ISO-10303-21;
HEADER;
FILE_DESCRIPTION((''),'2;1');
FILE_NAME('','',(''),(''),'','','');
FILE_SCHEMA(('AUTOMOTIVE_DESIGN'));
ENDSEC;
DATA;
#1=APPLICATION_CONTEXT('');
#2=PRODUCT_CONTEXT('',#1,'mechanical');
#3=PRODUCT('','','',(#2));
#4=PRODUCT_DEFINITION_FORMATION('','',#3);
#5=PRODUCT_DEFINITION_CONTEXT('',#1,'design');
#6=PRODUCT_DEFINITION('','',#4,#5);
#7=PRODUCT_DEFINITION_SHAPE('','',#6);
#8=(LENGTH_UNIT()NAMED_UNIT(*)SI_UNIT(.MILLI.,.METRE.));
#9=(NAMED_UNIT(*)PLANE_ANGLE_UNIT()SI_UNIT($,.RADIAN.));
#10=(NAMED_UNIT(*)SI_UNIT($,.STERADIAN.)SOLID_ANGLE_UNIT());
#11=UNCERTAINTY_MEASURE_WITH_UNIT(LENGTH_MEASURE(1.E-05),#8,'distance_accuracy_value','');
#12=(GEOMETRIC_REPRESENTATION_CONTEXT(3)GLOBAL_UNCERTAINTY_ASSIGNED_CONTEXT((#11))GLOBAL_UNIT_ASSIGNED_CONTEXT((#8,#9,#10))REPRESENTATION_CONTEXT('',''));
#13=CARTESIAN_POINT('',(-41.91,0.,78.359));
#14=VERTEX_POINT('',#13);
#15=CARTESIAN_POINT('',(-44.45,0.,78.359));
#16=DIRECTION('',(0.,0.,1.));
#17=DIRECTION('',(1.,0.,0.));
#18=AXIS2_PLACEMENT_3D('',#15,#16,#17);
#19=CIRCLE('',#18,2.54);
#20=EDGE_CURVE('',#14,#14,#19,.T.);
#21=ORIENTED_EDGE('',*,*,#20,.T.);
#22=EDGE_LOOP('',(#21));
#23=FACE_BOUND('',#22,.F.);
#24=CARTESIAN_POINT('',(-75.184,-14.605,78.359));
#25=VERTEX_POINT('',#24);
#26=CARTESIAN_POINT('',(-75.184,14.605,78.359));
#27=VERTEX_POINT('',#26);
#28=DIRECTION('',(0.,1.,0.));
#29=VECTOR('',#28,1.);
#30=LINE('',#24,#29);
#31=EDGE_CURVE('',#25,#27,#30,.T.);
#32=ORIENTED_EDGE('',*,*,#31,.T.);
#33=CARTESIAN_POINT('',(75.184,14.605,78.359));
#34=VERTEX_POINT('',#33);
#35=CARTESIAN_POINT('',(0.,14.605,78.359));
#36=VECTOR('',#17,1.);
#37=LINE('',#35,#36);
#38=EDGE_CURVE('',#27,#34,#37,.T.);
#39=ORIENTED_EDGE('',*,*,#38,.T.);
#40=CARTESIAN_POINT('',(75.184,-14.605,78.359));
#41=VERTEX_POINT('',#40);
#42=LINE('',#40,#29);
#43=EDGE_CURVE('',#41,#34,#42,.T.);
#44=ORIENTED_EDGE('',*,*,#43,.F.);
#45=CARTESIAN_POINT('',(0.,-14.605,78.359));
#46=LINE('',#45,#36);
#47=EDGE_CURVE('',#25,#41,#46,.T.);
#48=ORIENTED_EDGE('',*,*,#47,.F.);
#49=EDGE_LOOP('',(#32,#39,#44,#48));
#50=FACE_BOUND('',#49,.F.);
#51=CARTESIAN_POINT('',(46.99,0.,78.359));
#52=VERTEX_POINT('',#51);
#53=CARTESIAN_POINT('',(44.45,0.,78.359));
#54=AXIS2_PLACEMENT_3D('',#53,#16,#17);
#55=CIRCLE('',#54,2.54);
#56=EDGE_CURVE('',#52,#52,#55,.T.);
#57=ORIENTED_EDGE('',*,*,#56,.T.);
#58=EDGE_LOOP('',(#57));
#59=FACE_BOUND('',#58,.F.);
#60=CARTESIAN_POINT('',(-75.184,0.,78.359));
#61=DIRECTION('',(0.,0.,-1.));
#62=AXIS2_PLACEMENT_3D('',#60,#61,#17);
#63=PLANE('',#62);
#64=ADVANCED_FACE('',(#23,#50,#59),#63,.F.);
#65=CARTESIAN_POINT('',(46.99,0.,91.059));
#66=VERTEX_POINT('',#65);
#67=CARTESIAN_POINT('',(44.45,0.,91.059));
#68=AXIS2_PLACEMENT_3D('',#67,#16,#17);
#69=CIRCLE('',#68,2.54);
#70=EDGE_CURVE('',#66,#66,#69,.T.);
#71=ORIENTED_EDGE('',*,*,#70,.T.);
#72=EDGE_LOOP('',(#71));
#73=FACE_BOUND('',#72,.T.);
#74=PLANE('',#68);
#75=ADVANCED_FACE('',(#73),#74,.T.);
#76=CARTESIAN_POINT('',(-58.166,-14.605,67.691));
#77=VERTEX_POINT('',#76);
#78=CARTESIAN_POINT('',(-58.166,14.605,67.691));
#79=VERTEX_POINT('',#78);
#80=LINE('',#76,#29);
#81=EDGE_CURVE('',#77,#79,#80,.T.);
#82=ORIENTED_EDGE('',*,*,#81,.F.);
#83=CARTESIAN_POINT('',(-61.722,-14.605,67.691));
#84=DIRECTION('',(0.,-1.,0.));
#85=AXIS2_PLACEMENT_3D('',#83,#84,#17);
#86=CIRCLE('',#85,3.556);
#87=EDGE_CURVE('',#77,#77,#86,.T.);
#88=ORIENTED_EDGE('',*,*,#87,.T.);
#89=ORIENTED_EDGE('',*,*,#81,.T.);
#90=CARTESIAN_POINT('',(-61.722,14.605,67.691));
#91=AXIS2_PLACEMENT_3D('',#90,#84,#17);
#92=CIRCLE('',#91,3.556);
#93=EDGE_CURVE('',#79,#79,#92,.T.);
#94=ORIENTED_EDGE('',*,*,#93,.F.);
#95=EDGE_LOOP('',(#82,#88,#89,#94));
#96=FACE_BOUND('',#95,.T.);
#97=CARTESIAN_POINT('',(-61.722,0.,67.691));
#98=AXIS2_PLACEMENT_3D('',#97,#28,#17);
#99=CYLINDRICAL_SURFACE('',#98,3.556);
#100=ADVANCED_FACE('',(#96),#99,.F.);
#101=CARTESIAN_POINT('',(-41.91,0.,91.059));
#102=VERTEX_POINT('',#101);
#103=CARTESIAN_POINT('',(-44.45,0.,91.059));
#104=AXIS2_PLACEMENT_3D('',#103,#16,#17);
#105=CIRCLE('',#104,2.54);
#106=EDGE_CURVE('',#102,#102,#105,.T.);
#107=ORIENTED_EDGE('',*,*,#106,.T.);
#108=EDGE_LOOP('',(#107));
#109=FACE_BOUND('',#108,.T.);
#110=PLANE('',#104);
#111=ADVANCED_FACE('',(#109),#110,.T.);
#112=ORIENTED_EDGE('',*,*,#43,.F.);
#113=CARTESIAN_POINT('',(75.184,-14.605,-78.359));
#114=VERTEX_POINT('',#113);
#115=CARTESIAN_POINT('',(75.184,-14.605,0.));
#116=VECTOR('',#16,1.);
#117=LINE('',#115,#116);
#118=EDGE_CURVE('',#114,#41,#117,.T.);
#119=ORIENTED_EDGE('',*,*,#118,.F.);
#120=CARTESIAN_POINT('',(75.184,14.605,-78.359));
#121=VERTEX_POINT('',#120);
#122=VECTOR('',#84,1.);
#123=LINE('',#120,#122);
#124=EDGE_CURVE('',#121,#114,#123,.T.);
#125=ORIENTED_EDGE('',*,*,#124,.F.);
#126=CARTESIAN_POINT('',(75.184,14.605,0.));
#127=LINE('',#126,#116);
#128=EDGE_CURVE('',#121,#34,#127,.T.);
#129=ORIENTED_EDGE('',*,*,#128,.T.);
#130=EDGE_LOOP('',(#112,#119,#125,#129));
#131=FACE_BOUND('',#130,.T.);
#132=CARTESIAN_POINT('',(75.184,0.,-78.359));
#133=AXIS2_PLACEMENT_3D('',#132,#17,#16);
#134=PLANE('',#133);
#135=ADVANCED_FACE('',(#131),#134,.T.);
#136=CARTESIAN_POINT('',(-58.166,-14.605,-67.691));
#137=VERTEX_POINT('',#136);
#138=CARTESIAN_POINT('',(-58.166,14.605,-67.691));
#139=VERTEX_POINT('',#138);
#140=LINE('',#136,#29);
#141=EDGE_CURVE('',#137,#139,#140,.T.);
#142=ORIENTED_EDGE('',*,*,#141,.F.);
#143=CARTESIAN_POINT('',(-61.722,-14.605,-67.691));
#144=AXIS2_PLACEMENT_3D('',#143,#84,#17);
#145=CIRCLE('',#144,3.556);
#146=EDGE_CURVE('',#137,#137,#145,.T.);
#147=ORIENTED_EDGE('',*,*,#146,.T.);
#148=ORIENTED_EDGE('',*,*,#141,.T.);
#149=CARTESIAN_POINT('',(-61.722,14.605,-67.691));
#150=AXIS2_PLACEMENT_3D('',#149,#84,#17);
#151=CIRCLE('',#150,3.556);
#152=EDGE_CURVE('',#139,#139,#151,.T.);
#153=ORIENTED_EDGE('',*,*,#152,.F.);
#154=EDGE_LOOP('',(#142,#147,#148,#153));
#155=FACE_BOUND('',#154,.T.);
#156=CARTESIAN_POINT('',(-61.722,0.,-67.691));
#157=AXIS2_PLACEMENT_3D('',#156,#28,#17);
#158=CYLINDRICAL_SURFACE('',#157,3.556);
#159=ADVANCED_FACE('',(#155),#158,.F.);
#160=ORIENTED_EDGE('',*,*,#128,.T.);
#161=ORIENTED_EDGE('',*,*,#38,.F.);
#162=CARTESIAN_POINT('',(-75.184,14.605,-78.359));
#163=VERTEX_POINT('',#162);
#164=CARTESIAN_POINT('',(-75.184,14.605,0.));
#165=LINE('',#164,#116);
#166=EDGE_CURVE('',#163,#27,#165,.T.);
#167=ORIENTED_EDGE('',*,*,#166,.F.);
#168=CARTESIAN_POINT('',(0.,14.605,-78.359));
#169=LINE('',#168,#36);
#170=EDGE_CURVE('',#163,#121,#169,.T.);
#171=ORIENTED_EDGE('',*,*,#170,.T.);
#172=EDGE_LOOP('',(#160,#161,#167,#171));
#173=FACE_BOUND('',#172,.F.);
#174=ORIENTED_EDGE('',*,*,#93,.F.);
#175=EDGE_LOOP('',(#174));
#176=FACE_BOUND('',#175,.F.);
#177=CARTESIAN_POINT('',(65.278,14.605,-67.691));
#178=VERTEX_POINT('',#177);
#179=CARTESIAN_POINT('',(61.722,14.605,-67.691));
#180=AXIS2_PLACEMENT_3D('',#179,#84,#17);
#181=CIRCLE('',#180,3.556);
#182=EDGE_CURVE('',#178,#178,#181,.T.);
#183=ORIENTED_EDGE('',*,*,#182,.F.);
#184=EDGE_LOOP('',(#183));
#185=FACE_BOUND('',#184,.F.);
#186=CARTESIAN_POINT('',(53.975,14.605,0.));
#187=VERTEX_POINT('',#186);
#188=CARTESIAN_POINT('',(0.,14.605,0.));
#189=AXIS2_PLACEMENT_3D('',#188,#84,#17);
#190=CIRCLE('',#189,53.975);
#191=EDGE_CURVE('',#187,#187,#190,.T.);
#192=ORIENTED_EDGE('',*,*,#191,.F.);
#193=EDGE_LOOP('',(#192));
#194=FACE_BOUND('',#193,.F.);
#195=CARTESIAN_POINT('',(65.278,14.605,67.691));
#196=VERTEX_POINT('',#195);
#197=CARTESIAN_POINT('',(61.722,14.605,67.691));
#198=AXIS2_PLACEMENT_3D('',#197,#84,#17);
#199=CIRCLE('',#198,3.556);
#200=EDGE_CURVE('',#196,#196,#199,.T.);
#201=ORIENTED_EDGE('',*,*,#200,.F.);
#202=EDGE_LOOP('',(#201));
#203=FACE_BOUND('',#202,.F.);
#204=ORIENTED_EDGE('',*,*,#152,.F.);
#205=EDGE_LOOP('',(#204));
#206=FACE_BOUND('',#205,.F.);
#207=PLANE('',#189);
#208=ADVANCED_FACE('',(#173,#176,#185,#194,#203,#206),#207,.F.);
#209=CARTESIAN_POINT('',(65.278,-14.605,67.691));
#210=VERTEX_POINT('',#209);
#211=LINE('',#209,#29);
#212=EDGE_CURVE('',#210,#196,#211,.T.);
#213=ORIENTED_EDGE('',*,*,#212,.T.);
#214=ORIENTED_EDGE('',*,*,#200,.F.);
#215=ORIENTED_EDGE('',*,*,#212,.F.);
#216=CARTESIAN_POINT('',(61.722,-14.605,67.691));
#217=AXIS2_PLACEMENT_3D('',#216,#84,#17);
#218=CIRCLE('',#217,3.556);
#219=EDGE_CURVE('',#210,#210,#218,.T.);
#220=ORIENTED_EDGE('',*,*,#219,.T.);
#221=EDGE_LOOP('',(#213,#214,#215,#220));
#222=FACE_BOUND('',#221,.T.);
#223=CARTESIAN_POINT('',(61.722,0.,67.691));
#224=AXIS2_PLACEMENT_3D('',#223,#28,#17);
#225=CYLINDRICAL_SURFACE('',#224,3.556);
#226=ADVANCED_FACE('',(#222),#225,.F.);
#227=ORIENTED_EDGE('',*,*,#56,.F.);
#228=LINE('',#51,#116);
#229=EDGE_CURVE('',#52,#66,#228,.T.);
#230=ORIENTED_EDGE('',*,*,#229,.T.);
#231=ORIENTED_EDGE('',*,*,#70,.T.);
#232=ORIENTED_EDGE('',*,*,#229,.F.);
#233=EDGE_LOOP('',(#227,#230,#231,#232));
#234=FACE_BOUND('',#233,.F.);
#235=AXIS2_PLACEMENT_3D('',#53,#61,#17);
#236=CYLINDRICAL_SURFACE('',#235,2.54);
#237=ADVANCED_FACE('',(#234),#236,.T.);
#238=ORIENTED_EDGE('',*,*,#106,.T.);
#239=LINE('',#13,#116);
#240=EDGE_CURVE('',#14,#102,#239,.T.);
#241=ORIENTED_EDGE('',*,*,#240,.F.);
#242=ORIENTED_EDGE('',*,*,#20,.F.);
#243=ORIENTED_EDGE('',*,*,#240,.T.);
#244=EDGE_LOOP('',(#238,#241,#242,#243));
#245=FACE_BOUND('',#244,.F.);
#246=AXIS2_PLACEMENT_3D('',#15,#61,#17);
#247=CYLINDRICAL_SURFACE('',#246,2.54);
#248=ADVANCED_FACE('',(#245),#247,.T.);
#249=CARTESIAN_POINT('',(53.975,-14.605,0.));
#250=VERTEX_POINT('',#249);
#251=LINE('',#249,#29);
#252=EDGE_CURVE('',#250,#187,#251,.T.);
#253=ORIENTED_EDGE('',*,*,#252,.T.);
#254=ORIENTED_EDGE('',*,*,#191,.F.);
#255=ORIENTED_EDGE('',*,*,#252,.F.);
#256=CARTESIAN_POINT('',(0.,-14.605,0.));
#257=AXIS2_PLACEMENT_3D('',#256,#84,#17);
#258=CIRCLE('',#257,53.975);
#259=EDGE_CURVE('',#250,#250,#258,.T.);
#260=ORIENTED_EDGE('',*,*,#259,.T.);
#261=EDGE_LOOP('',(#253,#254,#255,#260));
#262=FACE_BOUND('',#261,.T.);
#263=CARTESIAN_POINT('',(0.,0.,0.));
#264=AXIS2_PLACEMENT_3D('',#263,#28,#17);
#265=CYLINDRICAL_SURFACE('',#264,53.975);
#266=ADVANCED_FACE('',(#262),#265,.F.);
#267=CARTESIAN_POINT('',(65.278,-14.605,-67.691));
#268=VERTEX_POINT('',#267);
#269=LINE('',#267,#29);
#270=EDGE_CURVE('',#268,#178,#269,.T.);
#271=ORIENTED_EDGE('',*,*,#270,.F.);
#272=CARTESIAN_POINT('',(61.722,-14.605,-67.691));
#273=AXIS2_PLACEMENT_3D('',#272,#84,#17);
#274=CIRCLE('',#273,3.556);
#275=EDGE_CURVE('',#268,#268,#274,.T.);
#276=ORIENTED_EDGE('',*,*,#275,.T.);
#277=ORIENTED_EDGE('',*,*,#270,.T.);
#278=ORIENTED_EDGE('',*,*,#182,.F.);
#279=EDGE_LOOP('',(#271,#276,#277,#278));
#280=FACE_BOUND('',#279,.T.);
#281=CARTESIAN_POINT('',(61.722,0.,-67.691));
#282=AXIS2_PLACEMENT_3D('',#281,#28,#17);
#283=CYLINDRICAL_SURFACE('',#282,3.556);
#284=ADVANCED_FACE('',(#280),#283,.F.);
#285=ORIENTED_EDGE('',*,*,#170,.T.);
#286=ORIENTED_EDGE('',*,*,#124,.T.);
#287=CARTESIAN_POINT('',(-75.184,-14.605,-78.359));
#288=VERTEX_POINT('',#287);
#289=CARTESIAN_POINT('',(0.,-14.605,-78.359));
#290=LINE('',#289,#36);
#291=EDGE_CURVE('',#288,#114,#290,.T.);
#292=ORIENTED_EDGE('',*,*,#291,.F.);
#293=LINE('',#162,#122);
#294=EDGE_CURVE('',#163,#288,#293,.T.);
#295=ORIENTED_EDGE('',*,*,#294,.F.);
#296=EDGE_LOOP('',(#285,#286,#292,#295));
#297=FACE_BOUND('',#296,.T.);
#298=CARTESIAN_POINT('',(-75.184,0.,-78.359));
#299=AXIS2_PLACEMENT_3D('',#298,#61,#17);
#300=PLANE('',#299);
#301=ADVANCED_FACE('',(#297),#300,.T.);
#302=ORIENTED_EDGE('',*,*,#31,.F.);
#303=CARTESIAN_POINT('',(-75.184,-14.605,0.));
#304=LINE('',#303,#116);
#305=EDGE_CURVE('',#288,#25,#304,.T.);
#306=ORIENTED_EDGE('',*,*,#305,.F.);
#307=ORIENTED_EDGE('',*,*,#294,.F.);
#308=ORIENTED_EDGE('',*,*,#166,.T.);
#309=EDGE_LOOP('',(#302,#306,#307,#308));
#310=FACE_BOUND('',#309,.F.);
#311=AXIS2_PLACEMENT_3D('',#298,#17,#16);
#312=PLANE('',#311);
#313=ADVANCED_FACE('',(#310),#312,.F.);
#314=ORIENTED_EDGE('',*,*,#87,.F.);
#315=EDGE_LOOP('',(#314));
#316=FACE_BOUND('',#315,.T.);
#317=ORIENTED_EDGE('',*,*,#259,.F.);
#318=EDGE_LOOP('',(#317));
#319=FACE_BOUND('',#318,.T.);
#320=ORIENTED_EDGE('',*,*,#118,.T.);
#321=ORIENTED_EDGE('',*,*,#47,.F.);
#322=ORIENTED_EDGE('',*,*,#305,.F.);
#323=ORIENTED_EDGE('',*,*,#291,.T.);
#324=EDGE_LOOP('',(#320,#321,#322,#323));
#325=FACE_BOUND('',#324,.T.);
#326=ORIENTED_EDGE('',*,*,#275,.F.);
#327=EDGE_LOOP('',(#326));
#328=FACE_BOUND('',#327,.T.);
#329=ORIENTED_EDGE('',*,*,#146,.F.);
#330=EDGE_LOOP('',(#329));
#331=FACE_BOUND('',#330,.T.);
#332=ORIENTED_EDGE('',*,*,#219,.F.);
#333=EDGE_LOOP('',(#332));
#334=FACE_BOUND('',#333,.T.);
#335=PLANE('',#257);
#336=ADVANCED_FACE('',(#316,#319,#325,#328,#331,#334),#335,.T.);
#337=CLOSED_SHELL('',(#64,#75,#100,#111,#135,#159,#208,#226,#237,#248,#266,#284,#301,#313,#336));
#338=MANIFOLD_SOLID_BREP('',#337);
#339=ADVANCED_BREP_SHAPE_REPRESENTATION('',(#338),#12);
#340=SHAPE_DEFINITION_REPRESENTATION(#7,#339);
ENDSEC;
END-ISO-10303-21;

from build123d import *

# Parameters (mm, degrees)
F0_W     = 150.368
F0_H     = 156.718
F0_R     = 3.556
F0_R_2   = 53.975
F1_DEPTH = 14.605
F2_R     = 2.54
F3_DEPTH = 12.7


with BuildPart() as f1:
    # F0 (on Front) → F1 (new body, symmetric)
    with BuildSketch(Plane.XZ):
        Rectangle(F0_W, F0_H)
        with Locations((-61.722, -67.691)):
            Circle(F0_R, mode=Mode.SUBTRACT)
        with Locations((61.722, -67.691)):
            Circle(F0_R, mode=Mode.SUBTRACT)
        with Locations((-61.722, 67.691)):
            Circle(F0_R, mode=Mode.SUBTRACT)
        Circle(F0_R_2, mode=Mode.SUBTRACT)
        with Locations((61.722, 67.691)):
            Circle(F0_R, mode=Mode.SUBTRACT)
    extrude(amount=F1_DEPTH, both=True)

    # F2 (on face) → F3 (join)
    with BuildSketch(Plane.XY.offset(78.359)):
        with Locations((-44.45, 0)):
            Circle(F2_R)
        with Locations((44.45, 0)):
            Circle(F2_R)
    extrude(amount=F3_DEPTH)


solid = f1.part
